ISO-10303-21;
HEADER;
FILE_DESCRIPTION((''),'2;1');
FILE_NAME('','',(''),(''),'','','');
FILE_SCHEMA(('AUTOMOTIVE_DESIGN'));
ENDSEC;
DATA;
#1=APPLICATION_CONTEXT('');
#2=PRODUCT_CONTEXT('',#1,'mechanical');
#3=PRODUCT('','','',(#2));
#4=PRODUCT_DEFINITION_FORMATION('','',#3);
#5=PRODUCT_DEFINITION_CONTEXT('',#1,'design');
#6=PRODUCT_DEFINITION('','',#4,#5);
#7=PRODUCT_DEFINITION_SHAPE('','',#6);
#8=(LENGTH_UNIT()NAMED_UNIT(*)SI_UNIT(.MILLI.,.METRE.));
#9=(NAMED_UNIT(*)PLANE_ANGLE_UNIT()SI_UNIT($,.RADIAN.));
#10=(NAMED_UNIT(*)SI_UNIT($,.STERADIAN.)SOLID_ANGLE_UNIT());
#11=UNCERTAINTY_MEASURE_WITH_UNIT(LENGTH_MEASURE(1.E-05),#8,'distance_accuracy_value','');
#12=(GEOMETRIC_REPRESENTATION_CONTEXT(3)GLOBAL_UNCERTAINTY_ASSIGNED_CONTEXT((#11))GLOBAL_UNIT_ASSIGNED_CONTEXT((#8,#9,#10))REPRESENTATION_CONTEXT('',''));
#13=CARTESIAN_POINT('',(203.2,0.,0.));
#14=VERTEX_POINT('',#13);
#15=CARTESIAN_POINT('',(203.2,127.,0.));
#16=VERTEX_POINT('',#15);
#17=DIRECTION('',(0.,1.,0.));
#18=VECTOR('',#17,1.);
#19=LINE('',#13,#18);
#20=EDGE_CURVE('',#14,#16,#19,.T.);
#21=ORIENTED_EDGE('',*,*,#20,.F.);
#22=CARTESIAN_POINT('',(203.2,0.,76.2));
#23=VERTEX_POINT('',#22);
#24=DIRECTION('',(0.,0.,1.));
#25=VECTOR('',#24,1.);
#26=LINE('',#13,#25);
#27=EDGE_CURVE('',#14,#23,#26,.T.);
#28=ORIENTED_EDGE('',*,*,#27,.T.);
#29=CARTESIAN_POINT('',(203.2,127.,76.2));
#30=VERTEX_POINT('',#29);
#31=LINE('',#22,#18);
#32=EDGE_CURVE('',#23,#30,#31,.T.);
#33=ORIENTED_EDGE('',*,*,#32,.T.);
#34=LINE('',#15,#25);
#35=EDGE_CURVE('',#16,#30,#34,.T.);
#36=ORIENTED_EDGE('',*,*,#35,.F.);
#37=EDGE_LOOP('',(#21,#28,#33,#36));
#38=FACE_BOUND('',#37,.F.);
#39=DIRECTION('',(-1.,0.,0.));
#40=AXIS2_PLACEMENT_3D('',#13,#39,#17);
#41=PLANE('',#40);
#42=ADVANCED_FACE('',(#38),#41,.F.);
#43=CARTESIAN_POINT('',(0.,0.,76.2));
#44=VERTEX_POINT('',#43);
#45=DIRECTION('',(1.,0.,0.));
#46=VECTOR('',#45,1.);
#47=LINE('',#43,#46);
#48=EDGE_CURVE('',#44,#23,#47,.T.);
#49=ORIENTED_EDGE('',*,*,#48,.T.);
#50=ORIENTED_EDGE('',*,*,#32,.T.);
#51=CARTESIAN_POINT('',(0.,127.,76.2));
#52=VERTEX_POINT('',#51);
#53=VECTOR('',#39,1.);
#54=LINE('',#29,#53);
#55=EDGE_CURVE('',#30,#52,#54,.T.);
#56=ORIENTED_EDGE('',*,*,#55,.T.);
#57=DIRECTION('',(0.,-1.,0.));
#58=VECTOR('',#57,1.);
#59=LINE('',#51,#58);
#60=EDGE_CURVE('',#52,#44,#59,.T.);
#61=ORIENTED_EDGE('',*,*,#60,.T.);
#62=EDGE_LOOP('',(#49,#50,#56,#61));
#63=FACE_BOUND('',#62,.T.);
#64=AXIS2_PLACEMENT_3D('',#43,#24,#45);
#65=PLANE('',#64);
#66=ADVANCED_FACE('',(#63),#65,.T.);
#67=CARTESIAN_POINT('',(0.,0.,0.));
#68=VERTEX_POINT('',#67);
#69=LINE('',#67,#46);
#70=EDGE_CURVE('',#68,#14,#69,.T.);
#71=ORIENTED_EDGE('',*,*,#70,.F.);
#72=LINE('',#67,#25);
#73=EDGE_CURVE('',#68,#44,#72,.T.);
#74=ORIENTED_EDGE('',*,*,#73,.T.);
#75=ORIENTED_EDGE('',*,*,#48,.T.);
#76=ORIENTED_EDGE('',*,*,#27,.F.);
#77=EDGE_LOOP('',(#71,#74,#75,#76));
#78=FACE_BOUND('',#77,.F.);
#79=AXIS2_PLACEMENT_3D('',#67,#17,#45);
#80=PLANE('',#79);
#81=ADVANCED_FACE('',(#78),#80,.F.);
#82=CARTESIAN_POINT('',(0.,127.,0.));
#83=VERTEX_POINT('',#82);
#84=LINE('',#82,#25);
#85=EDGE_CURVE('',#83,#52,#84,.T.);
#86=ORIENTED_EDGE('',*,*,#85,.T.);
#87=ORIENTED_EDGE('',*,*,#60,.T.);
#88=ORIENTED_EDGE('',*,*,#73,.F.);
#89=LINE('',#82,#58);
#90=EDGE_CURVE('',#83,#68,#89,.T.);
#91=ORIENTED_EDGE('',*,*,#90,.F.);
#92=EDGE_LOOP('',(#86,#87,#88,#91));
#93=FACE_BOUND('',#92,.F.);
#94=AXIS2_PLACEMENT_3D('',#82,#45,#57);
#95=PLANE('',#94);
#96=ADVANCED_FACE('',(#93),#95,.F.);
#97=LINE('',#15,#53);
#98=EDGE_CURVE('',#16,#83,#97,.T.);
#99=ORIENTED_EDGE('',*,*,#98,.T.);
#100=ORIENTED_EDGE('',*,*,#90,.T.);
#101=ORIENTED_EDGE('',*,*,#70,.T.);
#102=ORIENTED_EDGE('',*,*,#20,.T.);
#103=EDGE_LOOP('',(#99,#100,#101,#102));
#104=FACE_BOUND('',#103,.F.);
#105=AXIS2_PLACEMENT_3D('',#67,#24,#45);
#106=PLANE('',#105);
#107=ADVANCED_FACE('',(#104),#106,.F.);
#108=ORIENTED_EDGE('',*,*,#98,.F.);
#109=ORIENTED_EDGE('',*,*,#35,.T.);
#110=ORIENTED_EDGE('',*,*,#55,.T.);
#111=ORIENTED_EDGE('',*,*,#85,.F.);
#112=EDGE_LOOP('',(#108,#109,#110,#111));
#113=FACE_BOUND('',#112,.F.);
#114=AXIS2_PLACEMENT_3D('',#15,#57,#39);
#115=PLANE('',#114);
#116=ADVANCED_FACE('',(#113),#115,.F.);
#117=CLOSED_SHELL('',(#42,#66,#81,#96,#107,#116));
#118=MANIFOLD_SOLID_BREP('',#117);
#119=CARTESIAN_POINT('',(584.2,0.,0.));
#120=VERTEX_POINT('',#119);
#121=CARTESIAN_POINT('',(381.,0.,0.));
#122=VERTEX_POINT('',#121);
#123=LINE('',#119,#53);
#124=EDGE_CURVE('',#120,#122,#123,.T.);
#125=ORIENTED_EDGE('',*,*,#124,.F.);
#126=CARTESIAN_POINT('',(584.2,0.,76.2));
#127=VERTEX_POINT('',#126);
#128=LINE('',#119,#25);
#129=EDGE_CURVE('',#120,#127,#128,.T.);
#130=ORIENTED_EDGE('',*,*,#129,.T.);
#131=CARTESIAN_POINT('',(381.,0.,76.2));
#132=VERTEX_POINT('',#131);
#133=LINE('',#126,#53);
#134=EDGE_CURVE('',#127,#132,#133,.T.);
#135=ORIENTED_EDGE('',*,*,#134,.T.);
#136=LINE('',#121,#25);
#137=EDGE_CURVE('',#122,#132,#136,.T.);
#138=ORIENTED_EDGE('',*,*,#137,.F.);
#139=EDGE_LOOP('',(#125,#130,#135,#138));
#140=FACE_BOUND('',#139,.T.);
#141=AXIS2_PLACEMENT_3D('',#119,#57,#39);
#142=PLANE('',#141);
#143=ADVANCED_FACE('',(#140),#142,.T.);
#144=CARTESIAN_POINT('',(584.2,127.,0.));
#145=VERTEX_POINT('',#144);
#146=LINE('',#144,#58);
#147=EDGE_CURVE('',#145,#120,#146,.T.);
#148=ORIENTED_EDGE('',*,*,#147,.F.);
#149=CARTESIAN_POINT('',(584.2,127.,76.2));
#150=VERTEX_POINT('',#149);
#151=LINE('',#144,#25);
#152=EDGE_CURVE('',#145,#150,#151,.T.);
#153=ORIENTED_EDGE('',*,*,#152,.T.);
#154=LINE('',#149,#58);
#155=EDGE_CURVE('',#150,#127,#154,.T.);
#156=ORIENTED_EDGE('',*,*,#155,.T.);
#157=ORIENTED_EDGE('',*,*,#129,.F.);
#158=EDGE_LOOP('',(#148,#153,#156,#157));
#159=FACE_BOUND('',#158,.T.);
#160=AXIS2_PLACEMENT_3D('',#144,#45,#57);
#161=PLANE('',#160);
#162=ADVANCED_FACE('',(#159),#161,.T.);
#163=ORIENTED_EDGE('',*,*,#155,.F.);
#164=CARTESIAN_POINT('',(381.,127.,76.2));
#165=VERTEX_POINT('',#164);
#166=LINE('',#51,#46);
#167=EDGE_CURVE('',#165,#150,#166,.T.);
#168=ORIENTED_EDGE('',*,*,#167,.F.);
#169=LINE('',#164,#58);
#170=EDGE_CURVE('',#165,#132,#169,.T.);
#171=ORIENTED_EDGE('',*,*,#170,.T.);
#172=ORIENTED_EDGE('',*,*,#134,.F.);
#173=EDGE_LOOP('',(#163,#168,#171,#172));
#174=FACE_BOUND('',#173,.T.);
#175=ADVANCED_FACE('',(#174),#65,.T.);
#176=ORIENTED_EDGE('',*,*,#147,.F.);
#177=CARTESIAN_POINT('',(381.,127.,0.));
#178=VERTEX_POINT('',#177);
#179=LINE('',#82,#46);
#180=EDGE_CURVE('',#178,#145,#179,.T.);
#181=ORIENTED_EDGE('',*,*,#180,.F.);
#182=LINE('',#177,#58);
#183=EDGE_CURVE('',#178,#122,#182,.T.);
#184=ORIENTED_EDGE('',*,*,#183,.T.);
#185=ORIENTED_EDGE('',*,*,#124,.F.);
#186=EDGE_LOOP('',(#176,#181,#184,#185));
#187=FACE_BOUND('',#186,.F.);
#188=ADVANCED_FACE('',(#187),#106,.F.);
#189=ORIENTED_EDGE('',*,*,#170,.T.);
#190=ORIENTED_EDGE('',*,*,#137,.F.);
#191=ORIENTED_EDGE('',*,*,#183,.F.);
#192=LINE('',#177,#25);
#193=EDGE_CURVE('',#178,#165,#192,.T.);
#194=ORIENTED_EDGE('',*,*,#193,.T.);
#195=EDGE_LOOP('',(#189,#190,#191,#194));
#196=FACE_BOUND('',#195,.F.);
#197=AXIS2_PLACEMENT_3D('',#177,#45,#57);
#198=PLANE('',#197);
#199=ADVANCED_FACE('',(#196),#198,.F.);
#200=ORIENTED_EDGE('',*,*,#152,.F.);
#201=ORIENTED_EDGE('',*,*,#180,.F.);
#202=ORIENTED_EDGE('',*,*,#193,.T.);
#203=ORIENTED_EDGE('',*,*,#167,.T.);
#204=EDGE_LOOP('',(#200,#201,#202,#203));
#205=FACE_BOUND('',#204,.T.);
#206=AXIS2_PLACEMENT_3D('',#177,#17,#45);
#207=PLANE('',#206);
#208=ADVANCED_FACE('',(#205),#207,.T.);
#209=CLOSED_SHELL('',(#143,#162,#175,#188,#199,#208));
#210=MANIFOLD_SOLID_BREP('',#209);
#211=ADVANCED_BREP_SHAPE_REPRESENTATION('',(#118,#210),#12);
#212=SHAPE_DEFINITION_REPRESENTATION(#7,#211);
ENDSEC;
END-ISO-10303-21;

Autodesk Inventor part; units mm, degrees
ref_plane "YZ Plane" through (0, 0, 0) normal (1, 0, 0) x (0, 1, 0)
ref_plane "XZ Plane" through (0, 0, 0) normal (0, 1, 0) x (-1, 0, 0)
ref_plane "XY Plane" through (0, 0, 0) normal (0, 0, 1) x (1, 0, 0)
sketch "Sketch1" plane through (0, 0, 0) normal (0, 0, 1) x (1, 0, 0)
  line L0 (0, 0) -> (203.2, 0)
  line L1 (203.2, 0) -> (203.2, 127)
  line L2 (203.2, 127) -> (0, 127)
  line L3 (0, 127) -> (0, 0)
  line L4 (0, 127) -> (584.2, 127)
  line L5 (584.2, 127) -> (584.2, 0)
  line L6 (584.2, 0) -> (0, 0)
  line L7 (0, 0) -> (0, 127)
  line L8 (584.2, 127) -> (381, 127)
  line L9 (381, 127) -> (381, 0)
  line L10 (381, 0) -> (584.2, 0)
  line L11 (584.2, 0) -> (584.2, 127)
  dimension "d0" = 203.2
  dimension "d1" = 127
  dimension "d2" = 584.2
  dimension "d3" = 127
  dimension "d4" = 203.2
  dimension "d5" = 127
extrude "Extrusion1" add sketch "Sketch1" along normal blind 76.2 contours L3 L2 L1 L0 | L9 L4 L5 L6
properties part number "GapBumper"
